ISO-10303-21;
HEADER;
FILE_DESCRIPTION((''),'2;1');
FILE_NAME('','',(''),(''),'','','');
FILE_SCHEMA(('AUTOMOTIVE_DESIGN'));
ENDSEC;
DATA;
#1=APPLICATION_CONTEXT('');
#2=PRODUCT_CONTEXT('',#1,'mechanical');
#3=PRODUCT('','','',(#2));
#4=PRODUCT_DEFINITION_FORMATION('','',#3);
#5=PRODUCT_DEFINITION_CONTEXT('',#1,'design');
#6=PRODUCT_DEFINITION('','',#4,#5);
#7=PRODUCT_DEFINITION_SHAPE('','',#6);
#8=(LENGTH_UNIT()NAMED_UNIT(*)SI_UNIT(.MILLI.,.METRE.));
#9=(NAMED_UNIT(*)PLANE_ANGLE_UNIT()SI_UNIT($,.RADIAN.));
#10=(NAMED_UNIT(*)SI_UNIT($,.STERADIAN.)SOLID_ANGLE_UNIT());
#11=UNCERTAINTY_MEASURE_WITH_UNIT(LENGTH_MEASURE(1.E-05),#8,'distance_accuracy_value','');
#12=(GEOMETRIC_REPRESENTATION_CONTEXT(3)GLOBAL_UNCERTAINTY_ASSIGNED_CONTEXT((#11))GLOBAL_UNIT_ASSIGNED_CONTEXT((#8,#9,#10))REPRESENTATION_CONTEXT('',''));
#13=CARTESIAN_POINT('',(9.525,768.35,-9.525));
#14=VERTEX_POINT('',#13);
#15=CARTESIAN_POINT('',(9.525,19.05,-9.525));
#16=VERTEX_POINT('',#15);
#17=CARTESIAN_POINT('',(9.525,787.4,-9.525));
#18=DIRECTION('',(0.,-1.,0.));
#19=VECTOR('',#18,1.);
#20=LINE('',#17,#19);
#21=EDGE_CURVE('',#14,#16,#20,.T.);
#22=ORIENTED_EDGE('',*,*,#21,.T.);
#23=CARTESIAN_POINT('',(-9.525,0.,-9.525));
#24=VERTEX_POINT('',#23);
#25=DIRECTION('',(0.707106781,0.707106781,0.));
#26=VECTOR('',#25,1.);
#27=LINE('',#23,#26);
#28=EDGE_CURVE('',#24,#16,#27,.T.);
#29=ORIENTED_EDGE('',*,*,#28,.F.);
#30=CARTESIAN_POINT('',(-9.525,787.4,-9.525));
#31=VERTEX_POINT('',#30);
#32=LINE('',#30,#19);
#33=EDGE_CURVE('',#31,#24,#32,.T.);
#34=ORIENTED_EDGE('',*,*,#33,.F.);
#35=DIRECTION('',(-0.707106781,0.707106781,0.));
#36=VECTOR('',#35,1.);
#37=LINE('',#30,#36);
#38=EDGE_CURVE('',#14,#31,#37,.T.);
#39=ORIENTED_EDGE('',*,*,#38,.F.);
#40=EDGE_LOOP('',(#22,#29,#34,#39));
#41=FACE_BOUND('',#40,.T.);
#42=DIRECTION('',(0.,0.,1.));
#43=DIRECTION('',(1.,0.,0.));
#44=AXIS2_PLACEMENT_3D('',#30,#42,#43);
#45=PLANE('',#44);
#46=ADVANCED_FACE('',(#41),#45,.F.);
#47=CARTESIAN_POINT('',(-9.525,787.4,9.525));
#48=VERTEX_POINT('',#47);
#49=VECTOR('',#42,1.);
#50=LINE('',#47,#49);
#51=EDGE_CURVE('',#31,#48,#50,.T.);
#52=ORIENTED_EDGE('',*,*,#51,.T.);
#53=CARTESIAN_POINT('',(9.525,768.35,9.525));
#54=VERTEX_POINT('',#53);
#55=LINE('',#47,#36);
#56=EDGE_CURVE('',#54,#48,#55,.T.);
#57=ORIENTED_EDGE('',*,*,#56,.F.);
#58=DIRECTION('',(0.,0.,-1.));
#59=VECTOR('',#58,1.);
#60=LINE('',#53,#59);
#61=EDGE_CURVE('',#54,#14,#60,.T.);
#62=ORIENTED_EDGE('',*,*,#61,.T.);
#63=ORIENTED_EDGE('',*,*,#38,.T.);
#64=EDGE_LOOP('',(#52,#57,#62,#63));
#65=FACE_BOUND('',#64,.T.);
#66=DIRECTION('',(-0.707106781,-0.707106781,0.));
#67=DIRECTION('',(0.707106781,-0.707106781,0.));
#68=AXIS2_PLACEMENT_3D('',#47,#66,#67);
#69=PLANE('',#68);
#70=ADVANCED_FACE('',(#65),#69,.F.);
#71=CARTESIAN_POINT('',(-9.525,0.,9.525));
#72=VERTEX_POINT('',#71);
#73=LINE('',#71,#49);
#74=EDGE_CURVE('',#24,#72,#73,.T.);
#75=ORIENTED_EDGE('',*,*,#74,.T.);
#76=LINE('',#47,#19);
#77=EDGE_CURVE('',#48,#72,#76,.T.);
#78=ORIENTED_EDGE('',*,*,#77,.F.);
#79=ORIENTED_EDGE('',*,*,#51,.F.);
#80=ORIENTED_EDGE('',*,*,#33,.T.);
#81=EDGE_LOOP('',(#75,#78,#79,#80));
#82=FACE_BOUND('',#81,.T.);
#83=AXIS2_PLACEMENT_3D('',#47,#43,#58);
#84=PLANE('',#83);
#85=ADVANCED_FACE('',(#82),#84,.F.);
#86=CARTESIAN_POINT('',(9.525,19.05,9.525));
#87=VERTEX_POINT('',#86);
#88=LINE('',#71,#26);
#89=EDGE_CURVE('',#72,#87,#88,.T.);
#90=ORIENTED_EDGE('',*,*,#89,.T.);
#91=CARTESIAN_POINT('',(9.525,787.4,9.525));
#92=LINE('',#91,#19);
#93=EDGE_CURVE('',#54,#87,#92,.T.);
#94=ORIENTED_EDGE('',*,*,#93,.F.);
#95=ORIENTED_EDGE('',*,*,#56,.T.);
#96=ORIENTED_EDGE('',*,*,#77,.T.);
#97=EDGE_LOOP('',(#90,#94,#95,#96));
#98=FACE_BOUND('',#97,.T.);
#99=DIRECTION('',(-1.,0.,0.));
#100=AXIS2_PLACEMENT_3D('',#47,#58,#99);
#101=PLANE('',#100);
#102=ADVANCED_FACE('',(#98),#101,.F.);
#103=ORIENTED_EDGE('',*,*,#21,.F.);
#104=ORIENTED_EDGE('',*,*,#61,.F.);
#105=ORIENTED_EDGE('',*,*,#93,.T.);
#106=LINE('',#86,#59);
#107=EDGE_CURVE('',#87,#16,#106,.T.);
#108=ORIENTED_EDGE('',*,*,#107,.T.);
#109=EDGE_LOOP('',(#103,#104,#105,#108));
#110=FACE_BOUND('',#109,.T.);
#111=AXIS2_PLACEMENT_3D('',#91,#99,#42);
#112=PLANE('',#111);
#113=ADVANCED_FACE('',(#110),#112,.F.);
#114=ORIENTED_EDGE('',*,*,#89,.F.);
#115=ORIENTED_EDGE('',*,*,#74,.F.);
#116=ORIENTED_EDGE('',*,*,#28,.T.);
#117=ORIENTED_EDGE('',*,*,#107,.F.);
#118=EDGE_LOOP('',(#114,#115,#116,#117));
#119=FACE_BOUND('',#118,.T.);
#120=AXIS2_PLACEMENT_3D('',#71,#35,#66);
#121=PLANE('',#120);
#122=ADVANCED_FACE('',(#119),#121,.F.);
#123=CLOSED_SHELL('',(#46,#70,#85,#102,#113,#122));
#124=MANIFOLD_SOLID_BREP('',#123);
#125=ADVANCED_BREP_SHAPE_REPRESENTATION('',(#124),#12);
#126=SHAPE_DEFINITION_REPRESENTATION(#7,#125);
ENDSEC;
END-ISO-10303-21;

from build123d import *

# Parameters (mm, degrees)
SKETCH1_W           = 19.05
SKETCH1_H           = 19.05
BOSS_EXTRUDE1_DEPTH = 787.4
CUT_EXTRUDE1_DEPTH  = 20.05


with BuildPart() as part:
    # Sketch1 → Boss-Extrude1 (new body)
    with BuildSketch(Plane(origin=(0, 0, 0), x_dir=(1, 0, 0), z_dir=(0, 1, 0))):
        Rectangle(SKETCH1_W, SKETCH1_H)
    extrude(amount=BOSS_EXTRUDE1_DEPTH)

    # Sketch2 → Cut-Extrude1 (cut, through all)
    with BuildSketch(Plane(origin=(0, 0, -9.525), x_dir=(-1, 0, 0), z_dir=(0, 0, -1))):
        Polygon((9.525, 787.4), (-9.525, 768.35), (-9.525, 787.4), align=None)
        Polygon((-9.525, 19.05), (-9.525, 0), (9.525, 0), align=None)
    extrude(amount=-CUT_EXTRUDE1_DEPTH, mode=Mode.SUBTRACT)


solid = part.part
